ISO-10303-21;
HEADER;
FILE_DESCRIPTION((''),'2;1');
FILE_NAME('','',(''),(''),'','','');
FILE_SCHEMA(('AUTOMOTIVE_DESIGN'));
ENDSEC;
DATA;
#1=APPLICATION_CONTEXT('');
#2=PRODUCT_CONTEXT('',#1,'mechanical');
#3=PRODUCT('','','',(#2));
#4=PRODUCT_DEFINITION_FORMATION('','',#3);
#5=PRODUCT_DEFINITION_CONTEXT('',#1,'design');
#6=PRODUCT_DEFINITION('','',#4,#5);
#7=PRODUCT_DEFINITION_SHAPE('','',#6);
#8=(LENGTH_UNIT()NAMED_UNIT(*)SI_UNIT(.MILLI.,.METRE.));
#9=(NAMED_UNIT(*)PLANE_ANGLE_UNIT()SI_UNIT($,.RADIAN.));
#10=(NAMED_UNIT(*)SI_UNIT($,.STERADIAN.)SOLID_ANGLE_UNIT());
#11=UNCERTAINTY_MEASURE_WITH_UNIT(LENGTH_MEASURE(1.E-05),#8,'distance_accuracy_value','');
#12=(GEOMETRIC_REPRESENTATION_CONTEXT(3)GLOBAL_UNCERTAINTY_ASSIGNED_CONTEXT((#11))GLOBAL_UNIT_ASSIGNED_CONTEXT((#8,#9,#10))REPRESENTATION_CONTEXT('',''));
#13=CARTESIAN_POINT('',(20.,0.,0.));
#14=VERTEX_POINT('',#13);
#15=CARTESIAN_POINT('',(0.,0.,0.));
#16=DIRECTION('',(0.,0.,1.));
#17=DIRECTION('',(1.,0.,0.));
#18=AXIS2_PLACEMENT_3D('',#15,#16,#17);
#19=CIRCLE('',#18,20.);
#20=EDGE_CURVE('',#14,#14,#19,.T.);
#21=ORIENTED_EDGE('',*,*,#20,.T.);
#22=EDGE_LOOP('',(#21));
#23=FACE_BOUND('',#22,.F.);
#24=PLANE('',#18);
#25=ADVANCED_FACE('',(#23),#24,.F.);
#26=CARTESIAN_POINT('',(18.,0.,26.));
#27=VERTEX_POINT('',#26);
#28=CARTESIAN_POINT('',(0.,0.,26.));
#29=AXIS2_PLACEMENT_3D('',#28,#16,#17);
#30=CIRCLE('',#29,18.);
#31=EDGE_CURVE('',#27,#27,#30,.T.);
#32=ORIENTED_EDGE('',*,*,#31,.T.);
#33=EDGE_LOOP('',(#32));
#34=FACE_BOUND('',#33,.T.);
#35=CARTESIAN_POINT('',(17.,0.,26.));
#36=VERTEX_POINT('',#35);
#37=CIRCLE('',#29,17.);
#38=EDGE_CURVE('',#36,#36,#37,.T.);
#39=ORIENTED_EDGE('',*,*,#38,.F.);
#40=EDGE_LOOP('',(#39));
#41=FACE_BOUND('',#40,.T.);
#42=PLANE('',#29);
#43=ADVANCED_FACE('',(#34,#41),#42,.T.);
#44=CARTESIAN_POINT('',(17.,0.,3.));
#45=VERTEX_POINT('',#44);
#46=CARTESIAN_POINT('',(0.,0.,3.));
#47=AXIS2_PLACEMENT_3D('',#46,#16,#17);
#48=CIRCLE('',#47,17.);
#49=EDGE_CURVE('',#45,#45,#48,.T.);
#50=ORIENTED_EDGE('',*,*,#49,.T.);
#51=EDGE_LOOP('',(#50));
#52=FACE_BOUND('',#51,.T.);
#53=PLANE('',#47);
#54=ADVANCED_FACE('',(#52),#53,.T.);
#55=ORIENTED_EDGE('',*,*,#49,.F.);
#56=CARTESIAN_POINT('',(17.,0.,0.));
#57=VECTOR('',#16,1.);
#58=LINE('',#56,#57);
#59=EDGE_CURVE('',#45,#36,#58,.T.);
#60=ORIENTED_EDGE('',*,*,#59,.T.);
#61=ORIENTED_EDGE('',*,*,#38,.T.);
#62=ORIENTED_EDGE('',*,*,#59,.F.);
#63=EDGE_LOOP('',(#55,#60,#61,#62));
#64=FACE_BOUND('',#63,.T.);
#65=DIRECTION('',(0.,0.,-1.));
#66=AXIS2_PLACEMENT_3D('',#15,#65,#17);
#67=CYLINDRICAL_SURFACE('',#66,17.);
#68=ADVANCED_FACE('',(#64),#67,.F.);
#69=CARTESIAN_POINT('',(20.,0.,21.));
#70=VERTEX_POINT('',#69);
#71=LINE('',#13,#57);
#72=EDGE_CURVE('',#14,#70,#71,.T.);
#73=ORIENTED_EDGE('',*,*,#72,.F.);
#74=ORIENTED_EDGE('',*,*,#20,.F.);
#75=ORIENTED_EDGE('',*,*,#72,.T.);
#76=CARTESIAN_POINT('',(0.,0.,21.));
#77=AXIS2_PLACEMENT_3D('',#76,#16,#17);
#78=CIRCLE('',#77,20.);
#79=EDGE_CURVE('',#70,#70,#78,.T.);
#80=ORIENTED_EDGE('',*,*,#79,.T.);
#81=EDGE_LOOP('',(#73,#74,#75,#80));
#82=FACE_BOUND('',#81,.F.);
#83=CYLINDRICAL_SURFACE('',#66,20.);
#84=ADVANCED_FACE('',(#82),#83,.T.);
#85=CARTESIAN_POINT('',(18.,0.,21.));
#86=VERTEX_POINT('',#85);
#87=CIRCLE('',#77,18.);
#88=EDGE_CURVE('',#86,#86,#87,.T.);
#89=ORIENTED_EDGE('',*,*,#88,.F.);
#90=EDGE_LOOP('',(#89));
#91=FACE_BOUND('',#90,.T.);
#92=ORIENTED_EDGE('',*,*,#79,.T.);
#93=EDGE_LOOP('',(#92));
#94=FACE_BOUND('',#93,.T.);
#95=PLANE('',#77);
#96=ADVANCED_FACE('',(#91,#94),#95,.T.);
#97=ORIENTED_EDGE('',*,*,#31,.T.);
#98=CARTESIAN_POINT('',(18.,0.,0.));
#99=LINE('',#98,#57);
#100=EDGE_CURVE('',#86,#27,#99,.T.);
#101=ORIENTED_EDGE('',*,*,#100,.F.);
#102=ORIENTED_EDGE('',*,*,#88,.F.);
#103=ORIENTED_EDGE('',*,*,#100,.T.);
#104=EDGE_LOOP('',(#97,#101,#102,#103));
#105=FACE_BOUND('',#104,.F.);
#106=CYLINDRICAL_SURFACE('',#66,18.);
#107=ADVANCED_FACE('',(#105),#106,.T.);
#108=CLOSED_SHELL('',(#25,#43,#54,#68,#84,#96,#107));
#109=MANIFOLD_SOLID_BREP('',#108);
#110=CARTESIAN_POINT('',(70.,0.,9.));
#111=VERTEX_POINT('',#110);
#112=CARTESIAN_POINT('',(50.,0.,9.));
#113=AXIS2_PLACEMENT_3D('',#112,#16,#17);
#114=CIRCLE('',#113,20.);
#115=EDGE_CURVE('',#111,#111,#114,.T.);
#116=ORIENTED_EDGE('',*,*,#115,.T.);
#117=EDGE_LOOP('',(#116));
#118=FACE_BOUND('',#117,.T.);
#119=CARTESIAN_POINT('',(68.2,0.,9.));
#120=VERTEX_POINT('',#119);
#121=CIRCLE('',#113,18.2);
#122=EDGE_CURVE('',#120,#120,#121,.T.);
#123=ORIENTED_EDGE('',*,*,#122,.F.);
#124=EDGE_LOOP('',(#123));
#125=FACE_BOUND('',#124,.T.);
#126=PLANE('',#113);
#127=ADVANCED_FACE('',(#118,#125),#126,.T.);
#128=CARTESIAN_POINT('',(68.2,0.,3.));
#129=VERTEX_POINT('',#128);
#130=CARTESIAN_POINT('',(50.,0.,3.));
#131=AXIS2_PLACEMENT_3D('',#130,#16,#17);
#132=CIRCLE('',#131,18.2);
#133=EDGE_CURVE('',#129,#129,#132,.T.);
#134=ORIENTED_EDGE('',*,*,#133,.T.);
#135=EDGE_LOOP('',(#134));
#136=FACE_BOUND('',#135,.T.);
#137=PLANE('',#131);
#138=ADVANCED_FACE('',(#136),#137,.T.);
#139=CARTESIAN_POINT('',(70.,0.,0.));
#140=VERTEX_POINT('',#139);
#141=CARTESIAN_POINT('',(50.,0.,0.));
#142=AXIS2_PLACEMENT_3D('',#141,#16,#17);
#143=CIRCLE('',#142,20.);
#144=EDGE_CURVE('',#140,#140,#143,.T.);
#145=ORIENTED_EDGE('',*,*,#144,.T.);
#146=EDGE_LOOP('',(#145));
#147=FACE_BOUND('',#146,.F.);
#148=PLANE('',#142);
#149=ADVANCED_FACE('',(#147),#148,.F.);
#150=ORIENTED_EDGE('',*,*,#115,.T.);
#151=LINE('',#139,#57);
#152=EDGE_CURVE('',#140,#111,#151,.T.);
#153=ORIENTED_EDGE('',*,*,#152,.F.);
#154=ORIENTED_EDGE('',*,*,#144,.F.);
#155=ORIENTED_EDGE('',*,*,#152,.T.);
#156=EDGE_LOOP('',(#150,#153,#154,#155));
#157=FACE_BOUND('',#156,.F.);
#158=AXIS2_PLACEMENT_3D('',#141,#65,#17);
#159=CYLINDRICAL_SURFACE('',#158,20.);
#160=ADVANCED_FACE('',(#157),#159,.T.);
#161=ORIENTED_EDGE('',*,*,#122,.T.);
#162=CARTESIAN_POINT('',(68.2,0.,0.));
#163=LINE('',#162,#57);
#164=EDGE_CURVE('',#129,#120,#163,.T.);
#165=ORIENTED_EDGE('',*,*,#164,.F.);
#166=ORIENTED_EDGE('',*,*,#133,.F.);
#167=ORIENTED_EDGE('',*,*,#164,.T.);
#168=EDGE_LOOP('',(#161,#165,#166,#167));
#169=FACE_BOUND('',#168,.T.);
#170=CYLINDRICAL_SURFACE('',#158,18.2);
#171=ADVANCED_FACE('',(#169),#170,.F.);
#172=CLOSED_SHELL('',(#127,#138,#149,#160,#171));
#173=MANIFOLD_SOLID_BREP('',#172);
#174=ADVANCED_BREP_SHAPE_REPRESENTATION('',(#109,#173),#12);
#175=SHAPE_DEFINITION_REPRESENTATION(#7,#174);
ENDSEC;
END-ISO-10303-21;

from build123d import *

# Parameters (mm, degrees)
F3_R     = 17
F4_DEPTH = 3
F3_R_2   = 18
F5_DEPTH = 26
F3_R_3   = 20
F6_DEPTH = 21
F7_R     = 18.2
F8_DEPTH = 3
F7_R_2   = 20
F9_DEPTH = 9


with BuildPart() as f4:
    # F3 (on Top) → F4 (new body)
    with BuildSketch(Plane.XY):
        Circle(F3_R)
    extrude(amount=F4_DEPTH)

    # F3 (on Top) → F5 (join)
    with BuildSketch(Plane.XY):
        Circle(F3_R_2)
        Circle(F3_R, mode=Mode.SUBTRACT)
    extrude(amount=F5_DEPTH)

    # F3 (on Top) → F6 (join)
    with BuildSketch(Plane.XY):
        Circle(F3_R_3)
        Circle(F3_R_2, mode=Mode.SUBTRACT)
    extrude(amount=F6_DEPTH)


with BuildPart() as f8:
    # F7 (on Top) → F8 (new body)
    with BuildSketch(Plane.XY):
        with Locations((50, 0)):
            Circle(F7_R)
    extrude(amount=F8_DEPTH)

    # F7 (on Top) → F9 (join)
    with BuildSketch(Plane.XY):
        with Locations((50, 0)):
            Circle(F7_R_2)
        with Locations((50, 0)):
            Circle(F7_R, mode=Mode.SUBTRACT)
    extrude(amount=F9_DEPTH)


solid = Compound([f4.part, f8.part])
